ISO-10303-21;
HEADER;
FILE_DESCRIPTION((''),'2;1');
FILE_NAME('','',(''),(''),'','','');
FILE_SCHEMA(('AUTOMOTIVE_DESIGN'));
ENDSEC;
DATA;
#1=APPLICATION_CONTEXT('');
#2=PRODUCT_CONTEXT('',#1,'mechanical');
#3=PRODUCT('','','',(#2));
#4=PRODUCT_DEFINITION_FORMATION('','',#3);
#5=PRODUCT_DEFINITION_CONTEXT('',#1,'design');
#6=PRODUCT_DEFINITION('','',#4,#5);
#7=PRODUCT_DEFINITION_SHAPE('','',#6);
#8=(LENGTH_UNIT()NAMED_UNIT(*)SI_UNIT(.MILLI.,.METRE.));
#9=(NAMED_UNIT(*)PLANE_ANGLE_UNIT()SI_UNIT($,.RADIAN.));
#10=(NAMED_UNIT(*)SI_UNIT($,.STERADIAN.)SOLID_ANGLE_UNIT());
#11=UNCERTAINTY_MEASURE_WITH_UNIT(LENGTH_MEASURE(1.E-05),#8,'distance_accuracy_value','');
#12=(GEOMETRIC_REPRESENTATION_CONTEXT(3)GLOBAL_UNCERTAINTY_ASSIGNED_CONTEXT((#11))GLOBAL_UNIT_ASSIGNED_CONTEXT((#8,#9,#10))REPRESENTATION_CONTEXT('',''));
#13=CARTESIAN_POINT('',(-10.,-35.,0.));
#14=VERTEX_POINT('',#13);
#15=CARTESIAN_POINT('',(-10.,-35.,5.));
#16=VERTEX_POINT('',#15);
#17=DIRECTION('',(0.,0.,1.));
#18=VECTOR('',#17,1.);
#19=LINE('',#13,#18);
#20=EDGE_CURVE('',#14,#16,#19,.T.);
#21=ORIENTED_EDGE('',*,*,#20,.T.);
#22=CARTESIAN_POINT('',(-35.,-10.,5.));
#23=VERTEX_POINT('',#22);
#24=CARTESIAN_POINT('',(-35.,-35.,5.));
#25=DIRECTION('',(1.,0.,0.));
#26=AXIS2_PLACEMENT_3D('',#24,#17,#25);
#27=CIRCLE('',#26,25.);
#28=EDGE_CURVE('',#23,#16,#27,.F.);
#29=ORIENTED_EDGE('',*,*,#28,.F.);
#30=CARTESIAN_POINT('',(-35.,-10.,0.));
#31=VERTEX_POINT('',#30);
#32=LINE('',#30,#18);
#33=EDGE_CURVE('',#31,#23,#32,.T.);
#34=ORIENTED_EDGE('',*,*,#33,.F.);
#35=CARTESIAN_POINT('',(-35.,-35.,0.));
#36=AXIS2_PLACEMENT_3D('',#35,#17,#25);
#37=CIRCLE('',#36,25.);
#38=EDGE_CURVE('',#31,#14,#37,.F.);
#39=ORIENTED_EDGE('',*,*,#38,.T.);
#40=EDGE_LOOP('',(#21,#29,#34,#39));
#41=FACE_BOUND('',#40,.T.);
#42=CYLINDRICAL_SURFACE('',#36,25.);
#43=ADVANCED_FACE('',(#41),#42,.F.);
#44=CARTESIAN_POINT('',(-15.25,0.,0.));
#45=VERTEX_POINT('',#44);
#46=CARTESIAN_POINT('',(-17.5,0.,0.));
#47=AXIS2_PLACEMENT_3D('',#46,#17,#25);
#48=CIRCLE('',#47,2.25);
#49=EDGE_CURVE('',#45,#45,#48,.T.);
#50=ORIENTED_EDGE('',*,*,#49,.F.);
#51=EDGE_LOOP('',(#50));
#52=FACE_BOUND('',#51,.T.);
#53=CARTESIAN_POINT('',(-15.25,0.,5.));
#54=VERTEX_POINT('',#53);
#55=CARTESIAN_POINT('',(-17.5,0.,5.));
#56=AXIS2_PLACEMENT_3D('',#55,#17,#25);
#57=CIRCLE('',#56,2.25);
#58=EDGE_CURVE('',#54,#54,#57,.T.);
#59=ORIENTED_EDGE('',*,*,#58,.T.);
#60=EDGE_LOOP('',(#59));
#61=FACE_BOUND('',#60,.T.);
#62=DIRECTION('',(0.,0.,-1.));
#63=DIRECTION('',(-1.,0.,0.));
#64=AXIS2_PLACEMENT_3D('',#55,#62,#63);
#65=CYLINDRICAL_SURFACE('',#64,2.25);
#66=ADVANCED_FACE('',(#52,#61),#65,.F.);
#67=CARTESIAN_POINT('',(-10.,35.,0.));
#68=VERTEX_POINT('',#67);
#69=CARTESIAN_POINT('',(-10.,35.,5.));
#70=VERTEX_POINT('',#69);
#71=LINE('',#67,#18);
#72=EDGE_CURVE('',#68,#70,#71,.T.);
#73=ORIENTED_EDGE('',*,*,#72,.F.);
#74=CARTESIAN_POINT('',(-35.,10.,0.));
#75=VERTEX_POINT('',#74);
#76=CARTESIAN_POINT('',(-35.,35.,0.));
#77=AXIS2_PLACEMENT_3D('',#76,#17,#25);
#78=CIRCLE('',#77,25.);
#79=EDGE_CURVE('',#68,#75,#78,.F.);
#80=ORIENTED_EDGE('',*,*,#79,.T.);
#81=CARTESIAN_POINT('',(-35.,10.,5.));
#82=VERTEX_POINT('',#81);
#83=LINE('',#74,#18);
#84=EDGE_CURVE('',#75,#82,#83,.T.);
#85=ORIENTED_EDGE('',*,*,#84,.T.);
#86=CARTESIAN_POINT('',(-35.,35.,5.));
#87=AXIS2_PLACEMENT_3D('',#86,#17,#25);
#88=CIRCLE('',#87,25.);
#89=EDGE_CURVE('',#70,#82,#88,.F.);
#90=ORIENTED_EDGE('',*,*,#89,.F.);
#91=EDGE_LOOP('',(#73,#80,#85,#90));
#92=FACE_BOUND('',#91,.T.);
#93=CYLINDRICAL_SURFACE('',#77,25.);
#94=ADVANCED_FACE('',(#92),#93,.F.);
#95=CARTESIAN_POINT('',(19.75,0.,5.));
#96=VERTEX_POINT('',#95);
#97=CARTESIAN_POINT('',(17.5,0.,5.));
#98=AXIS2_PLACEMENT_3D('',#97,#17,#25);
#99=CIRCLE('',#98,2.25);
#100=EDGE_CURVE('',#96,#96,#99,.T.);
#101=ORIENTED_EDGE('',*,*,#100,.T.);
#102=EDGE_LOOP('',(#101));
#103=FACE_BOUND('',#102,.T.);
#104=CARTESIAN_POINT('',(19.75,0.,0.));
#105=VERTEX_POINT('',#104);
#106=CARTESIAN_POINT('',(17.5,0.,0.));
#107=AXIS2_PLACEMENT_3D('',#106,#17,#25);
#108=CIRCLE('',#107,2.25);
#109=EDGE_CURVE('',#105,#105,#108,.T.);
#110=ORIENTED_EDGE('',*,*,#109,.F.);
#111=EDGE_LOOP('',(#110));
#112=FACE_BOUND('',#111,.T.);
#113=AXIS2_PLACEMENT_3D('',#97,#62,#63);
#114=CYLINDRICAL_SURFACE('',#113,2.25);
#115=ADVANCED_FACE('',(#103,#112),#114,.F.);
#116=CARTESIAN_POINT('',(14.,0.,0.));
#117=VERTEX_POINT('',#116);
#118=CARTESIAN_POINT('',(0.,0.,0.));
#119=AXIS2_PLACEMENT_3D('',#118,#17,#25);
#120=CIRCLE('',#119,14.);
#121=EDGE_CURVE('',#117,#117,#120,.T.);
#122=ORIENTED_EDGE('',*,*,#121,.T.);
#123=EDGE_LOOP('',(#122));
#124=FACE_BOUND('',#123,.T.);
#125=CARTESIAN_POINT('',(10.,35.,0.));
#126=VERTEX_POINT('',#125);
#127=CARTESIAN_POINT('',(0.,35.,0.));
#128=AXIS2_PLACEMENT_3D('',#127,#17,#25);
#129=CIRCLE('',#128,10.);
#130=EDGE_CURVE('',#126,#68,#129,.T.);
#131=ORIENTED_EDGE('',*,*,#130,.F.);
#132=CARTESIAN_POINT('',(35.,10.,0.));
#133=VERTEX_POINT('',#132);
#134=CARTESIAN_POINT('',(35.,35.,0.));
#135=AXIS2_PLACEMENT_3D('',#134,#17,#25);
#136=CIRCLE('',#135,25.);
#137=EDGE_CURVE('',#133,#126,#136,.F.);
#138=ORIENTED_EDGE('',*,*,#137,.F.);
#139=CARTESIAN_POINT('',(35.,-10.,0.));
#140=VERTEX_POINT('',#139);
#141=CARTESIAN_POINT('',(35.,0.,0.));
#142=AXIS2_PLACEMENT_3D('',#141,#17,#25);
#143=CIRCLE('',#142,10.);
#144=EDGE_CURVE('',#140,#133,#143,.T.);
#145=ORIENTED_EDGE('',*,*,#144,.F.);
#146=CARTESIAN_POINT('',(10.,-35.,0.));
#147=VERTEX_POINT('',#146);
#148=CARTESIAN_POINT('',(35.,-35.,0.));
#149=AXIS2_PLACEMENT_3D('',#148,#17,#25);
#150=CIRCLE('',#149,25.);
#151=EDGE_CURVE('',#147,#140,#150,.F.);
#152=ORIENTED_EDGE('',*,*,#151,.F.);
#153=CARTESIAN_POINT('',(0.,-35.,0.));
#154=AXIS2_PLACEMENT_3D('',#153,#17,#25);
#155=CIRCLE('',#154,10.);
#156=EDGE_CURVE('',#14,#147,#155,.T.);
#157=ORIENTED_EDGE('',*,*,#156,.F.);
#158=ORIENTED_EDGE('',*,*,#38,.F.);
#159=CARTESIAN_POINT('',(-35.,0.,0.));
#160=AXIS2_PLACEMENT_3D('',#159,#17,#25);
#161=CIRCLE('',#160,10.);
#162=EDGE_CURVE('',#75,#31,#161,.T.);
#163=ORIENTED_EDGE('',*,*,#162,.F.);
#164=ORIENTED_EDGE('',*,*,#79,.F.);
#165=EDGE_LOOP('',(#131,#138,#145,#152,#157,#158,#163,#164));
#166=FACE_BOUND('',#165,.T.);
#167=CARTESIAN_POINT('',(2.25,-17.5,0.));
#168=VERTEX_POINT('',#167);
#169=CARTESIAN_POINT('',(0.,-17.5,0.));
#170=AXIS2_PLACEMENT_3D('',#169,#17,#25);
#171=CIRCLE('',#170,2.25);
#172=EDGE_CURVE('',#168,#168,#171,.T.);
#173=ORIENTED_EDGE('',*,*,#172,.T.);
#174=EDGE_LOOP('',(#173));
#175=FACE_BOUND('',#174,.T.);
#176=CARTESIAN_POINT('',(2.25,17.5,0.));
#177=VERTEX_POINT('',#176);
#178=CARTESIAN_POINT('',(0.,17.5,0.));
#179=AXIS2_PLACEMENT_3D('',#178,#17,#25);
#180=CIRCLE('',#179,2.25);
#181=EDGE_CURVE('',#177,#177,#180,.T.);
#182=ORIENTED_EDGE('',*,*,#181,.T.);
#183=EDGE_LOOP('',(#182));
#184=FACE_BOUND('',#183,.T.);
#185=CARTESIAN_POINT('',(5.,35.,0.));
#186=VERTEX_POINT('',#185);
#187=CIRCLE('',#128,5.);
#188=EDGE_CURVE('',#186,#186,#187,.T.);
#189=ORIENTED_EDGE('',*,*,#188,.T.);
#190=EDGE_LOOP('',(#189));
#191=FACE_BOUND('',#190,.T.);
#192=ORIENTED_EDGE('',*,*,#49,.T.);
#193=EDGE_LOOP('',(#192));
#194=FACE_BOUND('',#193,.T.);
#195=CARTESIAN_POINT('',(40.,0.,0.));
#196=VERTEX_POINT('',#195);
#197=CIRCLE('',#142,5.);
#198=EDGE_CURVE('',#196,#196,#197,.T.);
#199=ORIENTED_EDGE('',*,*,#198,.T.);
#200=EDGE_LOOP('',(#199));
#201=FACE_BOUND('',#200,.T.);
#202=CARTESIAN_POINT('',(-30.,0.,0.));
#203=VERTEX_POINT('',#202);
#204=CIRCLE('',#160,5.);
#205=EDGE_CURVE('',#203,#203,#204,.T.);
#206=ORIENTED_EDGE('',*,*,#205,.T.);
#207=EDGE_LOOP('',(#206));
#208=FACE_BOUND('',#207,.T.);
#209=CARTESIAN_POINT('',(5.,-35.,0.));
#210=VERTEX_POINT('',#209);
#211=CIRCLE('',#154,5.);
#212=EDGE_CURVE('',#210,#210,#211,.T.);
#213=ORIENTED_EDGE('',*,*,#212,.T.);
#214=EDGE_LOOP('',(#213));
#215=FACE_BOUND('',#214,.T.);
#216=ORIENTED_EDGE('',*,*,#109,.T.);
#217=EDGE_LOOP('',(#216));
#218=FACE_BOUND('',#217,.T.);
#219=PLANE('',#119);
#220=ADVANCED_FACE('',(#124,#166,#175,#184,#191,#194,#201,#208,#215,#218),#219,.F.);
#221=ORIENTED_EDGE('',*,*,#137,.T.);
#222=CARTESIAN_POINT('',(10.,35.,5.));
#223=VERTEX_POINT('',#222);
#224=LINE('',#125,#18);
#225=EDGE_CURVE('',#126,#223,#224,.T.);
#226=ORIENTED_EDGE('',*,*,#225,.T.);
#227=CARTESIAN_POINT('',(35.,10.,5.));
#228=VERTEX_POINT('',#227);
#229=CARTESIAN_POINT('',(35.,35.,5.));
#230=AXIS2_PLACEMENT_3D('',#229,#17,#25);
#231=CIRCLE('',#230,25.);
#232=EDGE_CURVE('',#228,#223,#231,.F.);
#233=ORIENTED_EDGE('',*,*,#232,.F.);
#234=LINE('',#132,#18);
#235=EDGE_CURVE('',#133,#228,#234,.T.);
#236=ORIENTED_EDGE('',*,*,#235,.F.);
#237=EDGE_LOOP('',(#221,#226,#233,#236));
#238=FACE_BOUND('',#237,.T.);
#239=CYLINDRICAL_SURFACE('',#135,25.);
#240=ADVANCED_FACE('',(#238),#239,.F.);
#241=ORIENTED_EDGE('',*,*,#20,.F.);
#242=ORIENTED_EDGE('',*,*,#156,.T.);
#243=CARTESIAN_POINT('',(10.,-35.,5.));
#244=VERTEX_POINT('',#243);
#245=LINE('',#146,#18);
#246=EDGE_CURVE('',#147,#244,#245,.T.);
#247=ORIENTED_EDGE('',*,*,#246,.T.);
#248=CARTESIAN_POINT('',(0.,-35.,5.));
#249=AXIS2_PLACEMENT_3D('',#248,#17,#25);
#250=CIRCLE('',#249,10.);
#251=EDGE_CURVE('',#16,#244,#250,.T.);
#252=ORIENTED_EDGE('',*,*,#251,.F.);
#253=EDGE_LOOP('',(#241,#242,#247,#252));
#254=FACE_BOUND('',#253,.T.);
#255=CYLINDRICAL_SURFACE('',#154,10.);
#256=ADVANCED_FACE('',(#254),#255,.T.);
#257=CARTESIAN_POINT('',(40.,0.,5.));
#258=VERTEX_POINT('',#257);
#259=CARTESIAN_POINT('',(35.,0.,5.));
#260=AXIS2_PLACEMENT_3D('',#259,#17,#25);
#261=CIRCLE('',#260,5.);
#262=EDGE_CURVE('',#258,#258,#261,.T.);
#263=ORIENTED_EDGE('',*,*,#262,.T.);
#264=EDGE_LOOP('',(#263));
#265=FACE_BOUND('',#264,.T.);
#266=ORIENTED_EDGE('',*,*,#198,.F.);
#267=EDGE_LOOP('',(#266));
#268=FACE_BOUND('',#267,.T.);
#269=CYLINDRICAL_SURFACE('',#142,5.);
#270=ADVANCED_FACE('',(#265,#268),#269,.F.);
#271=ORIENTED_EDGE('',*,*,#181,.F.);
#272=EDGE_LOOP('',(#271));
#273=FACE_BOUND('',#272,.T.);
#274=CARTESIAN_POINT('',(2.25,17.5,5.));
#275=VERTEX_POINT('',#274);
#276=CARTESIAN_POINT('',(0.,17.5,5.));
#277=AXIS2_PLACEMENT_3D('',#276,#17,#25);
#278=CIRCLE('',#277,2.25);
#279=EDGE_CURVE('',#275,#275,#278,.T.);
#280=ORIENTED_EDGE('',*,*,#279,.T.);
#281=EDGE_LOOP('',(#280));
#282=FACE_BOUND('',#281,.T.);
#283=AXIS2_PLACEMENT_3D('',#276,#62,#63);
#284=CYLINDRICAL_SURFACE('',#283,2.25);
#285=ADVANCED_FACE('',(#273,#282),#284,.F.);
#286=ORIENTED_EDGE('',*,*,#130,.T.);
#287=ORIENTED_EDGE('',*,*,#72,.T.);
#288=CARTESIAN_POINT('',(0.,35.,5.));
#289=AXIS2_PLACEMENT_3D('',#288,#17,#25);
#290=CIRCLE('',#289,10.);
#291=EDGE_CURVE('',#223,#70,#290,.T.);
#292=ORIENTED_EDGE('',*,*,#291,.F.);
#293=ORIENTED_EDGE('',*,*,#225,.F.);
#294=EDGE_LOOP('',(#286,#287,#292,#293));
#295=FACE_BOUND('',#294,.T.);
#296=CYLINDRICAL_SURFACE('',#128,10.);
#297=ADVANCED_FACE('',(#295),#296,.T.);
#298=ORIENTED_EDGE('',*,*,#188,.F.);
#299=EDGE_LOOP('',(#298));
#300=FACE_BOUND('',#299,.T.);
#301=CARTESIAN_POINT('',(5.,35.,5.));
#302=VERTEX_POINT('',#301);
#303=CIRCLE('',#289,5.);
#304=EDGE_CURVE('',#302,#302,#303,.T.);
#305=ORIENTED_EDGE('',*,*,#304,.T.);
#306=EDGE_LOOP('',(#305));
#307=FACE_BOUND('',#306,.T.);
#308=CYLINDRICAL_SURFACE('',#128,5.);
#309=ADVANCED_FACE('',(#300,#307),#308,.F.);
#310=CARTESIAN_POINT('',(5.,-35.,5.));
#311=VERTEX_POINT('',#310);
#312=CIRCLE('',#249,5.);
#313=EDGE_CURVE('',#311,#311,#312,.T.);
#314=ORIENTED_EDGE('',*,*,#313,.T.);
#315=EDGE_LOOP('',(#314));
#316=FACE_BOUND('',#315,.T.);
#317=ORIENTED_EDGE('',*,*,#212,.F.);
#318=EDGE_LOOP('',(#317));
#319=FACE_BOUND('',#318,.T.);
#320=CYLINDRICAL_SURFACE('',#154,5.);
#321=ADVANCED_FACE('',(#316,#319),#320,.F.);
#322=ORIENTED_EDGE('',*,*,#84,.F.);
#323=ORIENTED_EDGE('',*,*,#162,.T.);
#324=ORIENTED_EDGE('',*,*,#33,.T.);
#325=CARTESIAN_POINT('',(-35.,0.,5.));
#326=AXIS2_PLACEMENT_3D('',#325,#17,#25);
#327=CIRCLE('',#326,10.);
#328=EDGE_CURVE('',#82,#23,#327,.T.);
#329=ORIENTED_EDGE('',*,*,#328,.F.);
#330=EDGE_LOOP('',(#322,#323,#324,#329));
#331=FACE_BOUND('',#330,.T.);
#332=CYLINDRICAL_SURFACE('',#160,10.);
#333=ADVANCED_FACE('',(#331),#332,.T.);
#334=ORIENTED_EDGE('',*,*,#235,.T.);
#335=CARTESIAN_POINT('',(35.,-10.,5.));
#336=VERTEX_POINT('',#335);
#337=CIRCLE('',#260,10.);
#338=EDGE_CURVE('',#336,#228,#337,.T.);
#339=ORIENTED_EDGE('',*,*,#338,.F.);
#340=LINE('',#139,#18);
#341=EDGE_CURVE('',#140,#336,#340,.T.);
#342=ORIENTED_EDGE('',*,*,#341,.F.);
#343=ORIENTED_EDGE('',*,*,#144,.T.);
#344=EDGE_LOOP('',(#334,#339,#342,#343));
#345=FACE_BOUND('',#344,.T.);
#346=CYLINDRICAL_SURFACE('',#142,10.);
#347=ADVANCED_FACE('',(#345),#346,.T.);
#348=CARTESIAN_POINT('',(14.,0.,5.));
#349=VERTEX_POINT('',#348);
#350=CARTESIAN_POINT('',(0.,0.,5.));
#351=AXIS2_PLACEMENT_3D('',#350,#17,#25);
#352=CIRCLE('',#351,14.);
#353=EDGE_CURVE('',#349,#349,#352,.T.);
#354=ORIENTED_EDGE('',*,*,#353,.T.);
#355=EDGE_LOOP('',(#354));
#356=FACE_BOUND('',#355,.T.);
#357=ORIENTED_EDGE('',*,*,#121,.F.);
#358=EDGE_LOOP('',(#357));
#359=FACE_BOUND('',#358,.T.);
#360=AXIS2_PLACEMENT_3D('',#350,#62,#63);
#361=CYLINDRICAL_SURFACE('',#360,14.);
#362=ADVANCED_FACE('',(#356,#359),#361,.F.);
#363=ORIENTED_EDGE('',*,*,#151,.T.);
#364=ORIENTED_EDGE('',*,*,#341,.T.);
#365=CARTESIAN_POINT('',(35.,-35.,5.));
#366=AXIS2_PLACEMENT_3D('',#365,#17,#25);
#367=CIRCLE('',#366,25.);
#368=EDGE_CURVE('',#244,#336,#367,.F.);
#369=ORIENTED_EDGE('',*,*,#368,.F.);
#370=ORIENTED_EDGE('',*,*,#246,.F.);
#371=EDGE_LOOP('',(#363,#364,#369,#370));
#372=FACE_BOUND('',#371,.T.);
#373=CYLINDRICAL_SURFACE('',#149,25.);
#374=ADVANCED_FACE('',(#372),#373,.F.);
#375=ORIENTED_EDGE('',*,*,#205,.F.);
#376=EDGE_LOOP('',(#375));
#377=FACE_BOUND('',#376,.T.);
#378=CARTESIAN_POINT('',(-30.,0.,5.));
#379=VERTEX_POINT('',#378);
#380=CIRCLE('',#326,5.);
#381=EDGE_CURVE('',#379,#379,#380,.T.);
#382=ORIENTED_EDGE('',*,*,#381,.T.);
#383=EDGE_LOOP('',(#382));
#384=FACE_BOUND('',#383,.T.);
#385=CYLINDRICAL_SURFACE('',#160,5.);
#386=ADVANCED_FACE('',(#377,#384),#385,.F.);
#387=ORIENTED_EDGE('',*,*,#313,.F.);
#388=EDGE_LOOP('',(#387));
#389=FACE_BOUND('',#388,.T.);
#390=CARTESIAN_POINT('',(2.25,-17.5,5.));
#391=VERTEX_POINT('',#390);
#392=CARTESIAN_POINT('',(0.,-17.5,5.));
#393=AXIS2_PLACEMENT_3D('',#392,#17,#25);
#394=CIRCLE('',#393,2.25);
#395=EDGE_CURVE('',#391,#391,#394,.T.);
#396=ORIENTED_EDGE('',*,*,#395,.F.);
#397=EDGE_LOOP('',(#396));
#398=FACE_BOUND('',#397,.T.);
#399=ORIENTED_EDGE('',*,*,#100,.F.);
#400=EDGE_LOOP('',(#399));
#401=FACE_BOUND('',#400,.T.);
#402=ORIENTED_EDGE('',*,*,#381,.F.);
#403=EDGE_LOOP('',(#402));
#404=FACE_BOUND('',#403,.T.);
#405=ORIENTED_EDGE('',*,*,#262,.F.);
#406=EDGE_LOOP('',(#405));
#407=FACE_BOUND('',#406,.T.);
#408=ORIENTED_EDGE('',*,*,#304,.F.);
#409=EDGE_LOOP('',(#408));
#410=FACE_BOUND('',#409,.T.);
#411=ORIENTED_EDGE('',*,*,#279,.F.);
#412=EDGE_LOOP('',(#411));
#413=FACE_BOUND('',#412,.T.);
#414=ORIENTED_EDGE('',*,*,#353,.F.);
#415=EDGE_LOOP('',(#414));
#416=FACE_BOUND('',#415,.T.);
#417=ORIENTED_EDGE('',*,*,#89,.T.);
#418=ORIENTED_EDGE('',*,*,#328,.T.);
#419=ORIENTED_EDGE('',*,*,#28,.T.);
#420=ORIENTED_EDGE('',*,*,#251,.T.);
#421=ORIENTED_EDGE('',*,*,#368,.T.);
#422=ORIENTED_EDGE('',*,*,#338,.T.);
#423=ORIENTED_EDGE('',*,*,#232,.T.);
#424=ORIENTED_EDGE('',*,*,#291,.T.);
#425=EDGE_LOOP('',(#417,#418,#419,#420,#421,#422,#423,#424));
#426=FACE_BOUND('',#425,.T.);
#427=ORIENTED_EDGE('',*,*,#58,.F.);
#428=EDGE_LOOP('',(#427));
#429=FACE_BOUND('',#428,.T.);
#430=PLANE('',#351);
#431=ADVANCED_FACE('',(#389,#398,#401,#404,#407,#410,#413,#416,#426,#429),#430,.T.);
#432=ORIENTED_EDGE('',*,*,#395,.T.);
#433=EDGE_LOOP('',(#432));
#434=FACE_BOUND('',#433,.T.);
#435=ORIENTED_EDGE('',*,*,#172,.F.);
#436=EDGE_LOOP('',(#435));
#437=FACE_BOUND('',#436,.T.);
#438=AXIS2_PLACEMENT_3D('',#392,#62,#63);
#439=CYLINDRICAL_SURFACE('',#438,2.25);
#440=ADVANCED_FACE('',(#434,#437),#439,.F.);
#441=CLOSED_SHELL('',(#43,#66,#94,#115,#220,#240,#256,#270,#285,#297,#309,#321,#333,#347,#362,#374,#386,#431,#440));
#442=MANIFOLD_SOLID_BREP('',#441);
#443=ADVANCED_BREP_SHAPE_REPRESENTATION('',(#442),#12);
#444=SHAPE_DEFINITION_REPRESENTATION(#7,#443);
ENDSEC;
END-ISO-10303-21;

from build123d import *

# Parameters (mm, degrees)
SZKIC1_R                    = 24
SZKIC1_R_2                  = 2.25
SZKIC1_R_3                  = 14
DODANIE_WYCI_GNI_CIE1_DEPTH = 5
SZKIC2_R                    = 5
SZKIC2_R_2                  = 22.5
DODANIE_WYCI_GNI_CIE2_DEPTH = 5


with BuildPart() as part:
    # Szkic1 → Dodanie-wyciągnięcie1 (new body)
    with BuildSketch(Plane.XY):
        Circle(SZKIC1_R)
        with Locations((0, 17.5)):
            Circle(SZKIC1_R_2, mode=Mode.SUBTRACT)
        with Locations((17.5, 0)):
            Circle(SZKIC1_R_2, mode=Mode.SUBTRACT)
        with Locations((0, -17.5)):
            Circle(SZKIC1_R_2, mode=Mode.SUBTRACT)
        with Locations((-17.5, 0)):
            Circle(SZKIC1_R_2, mode=Mode.SUBTRACT)
        Circle(SZKIC1_R_3, mode=Mode.SUBTRACT)
    extrude(amount=DODANIE_WYCI_GNI_CIE1_DEPTH)

    # Szkic2 → Dodanie-wyciągnięcie2 (add)
    with BuildSketch(Plane.XY.offset(5)):
        with BuildLine():
            ThreePointArc((10, 35), (0, 45), (-10, 35))
            ThreePointArc((-10, 35), (-17.32233047, 17.32233047), (-35, 10))
            ThreePointArc((-35, 10), (-45, 0), (-35, -10))
            ThreePointArc((-35, -10), (-17.32233047, -17.32233047), (-10, -35))
            ThreePointArc((-10, -35), (0, -45), (10, -35))
            ThreePointArc((10, -35), (17.32233047, -17.32233047), (35, -10))
            ThreePointArc((35, -10), (45, 0), (35, 10))
            ThreePointArc((35, 10), (17.32233047, 17.32233047), (10, 35))
        make_face()
        with Locations((0, -35)):
            Circle(SZKIC2_R, mode=Mode.SUBTRACT)
        with Locations((-35, 0)):
            Circle(SZKIC2_R, mode=Mode.SUBTRACT)
        Circle(SZKIC2_R_2, mode=Mode.SUBTRACT)
        with Locations((35, 0)):
            Circle(SZKIC2_R, mode=Mode.SUBTRACT)
        with Locations((0, 35)):
            Circle(SZKIC2_R, mode=Mode.SUBTRACT)
    extrude(amount=-DODANIE_WYCI_GNI_CIE2_DEPTH)


solid = part.part
